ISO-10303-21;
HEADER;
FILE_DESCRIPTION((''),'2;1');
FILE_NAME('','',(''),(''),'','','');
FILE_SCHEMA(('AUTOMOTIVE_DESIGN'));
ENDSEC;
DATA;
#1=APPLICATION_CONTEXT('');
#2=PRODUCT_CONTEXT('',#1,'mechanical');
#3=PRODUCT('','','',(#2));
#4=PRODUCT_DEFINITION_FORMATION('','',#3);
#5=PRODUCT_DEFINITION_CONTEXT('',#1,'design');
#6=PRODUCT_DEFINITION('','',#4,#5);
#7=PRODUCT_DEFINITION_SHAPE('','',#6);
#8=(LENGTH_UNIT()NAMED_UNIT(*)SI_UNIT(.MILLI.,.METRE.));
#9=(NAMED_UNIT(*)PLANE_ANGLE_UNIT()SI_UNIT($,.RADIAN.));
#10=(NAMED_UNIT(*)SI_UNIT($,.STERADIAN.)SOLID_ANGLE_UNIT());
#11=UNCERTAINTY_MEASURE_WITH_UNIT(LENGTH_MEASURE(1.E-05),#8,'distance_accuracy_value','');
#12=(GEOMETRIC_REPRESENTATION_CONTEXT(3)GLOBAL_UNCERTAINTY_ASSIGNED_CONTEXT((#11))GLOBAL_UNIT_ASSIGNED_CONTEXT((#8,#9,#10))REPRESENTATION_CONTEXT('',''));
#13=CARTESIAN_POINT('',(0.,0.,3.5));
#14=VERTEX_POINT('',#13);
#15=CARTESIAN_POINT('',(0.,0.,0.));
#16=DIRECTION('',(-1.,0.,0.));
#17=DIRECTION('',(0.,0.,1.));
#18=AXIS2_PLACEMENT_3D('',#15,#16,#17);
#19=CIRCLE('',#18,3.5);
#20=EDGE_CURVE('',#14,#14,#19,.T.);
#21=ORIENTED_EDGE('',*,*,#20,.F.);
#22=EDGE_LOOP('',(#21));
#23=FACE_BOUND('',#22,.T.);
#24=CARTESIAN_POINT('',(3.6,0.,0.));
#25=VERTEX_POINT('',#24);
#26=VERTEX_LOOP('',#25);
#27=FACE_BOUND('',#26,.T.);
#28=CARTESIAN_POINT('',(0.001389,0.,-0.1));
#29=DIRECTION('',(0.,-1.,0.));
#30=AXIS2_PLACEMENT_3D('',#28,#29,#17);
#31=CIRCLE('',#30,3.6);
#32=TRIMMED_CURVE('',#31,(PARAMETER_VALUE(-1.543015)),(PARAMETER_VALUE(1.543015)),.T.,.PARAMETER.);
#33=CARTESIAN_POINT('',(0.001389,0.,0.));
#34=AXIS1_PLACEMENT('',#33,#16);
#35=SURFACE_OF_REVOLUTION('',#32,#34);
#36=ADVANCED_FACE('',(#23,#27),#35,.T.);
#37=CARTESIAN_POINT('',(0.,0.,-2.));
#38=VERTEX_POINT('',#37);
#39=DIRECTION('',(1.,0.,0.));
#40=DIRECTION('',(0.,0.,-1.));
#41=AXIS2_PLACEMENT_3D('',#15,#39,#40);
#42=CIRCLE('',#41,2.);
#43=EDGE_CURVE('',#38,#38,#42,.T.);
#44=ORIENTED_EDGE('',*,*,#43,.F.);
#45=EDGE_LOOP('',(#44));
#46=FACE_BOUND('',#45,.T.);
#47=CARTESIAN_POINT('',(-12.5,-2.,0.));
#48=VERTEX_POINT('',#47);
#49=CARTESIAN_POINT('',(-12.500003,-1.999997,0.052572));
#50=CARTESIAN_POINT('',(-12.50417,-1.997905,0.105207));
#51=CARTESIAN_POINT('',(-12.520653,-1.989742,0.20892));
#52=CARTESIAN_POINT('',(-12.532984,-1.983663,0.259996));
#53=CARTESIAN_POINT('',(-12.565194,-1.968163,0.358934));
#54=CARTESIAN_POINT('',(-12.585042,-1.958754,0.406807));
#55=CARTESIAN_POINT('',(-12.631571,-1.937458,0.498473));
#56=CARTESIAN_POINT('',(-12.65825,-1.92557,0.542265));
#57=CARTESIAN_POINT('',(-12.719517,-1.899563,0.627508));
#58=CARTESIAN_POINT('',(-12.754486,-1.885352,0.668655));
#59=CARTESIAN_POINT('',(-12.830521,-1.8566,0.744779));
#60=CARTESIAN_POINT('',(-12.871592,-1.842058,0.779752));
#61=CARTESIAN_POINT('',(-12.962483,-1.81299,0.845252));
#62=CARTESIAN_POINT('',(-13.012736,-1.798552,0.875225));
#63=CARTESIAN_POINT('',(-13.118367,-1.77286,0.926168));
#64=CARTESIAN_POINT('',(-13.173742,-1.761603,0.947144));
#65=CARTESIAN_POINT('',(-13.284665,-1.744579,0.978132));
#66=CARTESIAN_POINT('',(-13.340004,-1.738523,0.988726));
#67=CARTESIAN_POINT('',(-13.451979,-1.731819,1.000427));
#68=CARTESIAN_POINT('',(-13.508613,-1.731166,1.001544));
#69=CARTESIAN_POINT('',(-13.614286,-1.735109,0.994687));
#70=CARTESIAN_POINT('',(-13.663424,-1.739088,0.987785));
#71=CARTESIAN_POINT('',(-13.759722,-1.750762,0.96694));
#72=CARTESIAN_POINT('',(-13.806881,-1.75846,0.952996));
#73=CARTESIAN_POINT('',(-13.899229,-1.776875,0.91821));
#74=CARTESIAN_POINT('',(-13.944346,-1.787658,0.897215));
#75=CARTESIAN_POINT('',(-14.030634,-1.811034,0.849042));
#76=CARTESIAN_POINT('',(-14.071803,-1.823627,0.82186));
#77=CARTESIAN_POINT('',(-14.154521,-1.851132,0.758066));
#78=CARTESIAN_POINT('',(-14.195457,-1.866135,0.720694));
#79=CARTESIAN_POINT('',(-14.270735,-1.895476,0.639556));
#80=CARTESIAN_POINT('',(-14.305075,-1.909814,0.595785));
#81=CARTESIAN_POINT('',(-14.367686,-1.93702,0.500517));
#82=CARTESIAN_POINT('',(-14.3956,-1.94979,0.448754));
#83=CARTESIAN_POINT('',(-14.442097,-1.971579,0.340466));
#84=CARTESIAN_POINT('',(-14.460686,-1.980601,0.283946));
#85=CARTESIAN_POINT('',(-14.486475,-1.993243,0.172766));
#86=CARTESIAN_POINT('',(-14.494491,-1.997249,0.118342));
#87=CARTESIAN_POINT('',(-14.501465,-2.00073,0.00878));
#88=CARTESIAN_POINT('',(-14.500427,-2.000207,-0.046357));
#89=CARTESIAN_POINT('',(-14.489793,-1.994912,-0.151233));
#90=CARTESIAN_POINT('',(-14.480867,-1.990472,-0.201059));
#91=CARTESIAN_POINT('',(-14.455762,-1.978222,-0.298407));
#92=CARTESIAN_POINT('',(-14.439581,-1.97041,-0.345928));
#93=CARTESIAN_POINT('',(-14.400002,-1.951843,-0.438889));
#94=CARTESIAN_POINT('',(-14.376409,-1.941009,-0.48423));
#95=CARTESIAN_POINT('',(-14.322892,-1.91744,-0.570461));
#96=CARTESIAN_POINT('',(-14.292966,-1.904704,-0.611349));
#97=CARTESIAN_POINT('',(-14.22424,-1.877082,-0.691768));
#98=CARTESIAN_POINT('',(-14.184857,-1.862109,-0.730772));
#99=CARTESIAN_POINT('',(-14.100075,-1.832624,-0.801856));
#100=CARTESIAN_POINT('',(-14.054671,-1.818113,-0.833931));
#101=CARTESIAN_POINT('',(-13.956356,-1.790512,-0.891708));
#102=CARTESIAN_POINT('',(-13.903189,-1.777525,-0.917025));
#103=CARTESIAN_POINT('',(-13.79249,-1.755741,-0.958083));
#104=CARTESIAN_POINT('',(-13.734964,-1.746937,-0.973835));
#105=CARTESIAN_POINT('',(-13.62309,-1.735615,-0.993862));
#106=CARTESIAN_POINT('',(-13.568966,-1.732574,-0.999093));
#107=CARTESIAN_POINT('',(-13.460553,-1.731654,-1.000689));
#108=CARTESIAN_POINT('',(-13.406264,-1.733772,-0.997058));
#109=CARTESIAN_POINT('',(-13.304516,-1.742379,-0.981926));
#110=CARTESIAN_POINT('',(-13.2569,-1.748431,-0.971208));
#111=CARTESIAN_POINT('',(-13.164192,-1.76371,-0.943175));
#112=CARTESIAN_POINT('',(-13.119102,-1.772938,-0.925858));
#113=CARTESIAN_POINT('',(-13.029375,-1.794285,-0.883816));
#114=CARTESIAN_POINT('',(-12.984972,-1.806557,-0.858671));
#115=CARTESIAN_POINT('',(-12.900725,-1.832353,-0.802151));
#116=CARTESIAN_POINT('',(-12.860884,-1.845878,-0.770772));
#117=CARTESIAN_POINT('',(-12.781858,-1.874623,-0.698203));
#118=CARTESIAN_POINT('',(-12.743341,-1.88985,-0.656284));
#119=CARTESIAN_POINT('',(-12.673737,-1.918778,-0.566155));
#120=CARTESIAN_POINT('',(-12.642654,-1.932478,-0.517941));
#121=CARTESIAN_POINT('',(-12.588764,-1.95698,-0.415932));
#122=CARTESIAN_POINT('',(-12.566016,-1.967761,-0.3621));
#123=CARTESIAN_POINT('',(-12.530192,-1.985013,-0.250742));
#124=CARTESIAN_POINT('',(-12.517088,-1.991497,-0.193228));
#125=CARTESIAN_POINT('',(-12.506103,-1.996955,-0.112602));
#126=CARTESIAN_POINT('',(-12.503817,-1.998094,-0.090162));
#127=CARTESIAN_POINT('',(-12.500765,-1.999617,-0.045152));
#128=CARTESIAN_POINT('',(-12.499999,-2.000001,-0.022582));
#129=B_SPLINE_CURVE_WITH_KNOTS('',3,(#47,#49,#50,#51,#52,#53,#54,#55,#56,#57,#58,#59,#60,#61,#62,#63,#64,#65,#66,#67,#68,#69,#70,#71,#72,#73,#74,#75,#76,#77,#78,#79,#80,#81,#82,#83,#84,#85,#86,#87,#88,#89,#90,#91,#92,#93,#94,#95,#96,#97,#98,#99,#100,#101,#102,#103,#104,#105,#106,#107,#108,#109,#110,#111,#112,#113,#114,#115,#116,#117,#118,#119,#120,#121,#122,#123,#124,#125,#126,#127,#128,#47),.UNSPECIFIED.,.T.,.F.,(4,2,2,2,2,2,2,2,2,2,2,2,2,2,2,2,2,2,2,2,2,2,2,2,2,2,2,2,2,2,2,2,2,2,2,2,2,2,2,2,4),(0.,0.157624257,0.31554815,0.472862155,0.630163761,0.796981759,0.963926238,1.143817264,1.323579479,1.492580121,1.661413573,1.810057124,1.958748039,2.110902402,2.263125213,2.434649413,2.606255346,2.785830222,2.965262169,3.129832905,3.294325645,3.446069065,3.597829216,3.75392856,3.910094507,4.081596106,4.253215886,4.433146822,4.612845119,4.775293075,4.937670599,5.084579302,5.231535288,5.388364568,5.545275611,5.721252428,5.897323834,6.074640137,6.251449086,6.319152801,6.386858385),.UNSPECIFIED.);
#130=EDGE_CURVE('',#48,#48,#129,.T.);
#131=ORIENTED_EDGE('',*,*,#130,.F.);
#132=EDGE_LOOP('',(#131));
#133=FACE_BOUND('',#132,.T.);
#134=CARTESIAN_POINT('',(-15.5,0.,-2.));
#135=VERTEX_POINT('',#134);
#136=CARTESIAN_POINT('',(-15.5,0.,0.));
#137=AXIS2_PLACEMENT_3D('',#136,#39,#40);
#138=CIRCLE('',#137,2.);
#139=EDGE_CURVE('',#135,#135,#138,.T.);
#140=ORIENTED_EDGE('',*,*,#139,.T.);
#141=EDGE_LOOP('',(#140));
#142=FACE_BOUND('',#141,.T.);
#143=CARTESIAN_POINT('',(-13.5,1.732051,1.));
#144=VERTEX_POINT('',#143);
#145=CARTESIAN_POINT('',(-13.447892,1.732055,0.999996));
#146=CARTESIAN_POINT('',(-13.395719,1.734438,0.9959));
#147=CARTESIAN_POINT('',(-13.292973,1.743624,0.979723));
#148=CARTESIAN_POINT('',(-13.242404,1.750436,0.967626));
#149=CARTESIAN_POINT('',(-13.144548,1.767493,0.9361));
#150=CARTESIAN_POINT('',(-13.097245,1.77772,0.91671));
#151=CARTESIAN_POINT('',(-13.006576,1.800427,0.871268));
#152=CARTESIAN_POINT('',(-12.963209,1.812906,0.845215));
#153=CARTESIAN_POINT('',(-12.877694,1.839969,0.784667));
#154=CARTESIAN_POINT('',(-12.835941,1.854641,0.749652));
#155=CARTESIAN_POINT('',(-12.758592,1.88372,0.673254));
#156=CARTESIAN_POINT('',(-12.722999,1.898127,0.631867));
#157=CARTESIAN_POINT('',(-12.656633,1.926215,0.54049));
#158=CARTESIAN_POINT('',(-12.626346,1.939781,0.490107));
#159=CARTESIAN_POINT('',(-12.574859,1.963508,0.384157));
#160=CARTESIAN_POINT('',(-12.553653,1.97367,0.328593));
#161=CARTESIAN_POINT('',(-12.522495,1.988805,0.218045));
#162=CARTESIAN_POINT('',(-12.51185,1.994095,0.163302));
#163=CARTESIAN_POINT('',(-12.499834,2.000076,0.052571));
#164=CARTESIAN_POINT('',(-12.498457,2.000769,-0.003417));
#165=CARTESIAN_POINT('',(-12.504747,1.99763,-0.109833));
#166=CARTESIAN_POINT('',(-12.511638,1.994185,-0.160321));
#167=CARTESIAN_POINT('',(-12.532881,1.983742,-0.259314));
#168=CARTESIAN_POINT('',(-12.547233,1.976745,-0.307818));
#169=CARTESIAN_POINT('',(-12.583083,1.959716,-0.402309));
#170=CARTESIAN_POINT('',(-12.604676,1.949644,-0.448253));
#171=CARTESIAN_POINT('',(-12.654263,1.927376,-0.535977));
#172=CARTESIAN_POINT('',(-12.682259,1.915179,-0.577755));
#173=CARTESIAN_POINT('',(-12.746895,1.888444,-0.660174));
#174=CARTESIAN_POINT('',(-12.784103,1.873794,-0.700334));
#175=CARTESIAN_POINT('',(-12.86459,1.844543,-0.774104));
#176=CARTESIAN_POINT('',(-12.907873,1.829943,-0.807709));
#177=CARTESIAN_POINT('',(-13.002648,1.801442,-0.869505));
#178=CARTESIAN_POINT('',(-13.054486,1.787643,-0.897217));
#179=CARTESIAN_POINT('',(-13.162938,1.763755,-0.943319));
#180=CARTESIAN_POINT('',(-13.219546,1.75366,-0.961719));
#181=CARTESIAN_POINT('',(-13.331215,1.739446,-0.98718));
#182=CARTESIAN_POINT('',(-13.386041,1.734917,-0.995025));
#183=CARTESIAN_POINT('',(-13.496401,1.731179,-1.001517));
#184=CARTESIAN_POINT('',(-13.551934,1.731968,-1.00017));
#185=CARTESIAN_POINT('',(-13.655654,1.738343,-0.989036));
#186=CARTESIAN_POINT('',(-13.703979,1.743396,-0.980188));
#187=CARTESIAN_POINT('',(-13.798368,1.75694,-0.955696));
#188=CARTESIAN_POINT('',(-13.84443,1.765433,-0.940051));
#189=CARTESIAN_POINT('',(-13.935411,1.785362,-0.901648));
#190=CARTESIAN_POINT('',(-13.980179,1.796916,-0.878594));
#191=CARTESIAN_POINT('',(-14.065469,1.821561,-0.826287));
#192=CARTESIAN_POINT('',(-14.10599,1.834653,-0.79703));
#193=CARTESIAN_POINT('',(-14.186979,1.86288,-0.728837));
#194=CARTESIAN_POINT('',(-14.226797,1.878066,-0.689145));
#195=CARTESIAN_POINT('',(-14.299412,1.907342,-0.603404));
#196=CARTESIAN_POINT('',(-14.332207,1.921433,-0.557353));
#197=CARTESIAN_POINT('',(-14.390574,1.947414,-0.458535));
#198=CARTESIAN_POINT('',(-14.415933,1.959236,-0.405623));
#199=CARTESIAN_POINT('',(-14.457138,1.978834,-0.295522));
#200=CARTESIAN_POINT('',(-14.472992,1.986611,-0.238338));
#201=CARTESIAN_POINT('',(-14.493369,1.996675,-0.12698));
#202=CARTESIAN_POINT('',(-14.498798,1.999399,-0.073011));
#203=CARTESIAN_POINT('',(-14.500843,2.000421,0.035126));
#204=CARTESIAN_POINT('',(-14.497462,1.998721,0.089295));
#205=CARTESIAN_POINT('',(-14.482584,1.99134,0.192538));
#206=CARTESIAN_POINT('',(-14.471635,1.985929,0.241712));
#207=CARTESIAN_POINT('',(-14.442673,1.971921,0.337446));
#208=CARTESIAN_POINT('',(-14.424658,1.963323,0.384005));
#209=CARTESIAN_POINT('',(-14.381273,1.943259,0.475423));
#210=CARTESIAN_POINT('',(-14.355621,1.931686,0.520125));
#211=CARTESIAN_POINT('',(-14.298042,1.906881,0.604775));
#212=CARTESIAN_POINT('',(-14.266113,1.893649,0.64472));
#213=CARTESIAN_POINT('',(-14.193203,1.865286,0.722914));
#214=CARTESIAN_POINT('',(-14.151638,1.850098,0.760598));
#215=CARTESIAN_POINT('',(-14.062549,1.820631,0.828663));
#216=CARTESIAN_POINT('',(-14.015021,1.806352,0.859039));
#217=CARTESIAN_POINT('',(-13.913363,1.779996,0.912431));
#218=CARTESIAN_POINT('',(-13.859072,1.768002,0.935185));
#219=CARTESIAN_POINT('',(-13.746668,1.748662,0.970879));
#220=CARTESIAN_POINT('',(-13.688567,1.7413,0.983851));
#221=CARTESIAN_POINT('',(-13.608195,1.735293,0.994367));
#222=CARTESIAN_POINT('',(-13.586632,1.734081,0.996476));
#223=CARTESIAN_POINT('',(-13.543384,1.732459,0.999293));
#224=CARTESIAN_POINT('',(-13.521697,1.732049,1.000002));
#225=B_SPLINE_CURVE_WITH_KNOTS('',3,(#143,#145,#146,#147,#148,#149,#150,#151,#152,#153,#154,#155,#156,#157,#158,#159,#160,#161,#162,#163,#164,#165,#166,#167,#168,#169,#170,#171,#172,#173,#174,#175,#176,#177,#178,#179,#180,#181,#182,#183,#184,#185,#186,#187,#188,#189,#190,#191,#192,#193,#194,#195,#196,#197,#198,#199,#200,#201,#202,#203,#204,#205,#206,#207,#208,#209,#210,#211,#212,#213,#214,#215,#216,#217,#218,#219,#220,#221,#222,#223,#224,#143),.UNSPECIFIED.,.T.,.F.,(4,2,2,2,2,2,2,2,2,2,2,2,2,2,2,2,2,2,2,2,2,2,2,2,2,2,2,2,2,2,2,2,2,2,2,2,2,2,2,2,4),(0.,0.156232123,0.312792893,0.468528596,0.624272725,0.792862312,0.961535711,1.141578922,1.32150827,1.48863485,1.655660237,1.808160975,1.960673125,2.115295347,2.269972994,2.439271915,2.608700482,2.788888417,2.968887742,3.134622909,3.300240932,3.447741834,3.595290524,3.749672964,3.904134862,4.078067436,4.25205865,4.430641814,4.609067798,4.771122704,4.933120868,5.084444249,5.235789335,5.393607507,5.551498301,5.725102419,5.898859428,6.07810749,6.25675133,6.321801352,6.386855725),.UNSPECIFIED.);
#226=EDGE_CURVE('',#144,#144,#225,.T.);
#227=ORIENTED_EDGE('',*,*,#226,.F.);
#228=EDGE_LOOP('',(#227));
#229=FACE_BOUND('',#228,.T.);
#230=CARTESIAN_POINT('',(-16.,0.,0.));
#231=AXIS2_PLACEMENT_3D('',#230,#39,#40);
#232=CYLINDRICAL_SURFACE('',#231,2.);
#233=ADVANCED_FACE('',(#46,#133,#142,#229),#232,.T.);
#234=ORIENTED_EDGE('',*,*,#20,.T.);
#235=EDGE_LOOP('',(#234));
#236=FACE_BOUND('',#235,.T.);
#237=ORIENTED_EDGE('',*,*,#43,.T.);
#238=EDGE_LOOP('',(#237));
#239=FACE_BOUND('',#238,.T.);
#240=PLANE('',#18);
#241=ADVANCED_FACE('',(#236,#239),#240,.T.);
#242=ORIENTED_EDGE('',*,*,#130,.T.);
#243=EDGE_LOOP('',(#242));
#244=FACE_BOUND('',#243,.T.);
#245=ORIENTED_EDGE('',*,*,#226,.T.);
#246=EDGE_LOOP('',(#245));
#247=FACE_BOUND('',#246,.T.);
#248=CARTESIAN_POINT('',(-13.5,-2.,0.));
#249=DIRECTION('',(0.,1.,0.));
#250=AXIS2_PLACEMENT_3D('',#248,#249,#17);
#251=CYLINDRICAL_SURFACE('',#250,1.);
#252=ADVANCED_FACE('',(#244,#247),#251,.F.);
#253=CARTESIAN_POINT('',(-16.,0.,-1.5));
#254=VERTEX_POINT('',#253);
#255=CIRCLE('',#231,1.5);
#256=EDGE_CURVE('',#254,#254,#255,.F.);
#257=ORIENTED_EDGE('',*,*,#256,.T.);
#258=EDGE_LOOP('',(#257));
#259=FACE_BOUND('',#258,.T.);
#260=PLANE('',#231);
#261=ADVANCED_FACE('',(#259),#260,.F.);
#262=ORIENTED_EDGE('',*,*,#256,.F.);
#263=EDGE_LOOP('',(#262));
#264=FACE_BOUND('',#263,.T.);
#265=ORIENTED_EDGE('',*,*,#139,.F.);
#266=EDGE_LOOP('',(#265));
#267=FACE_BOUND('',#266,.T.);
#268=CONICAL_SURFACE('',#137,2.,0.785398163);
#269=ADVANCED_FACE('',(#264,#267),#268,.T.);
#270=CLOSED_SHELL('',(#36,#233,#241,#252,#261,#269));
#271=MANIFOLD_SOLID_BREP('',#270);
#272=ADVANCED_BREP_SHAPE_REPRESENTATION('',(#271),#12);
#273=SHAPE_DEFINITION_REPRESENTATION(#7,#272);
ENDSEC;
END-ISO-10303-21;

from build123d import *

# Parameters (mm, degrees)
SKETCH1_R               = 2
BOSS_EXTRUDE1_DEPTH     = 16
CUT_EXTRUDE1_DEPTH      = 17.248076809
CUT_EXTRUDE1_DEPTH_BACK = 17.248076809
SKETCH2_R               = 1
CHAMFER1_SIZE           = 0.5


with BuildPart() as part:
    # Sketch1 → Boss-Extrude1 (new body)
    with BuildSketch(Plane(origin=(0, 0, 0), x_dir=(0, 0, -1), z_dir=(1, 0, 0))):
        Circle(SKETCH1_R)
    extrude(amount=-BOSS_EXTRUDE1_DEPTH)

    # Sketch2 → Cut-Extrude1 (cut, two sides: drawn at the far end of the back side and taken through both)
    with BuildSketch(Plane(origin=(0, 0, 0), x_dir=(1, 0, 0), z_dir=(0, 1, 0)).offset(-CUT_EXTRUDE1_DEPTH_BACK)):
        with Locations(Location((-13.5, 0, 0), (0, 0, 270))):
            Circle(SKETCH2_R)
    extrude(amount=CUT_EXTRUDE1_DEPTH + CUT_EXTRUDE1_DEPTH_BACK, mode=Mode.SUBTRACT)

    # Sketch3 → Revolve1 (revolve)
    with BuildSketch(Plane(origin=(0, 0, 0), x_dir=(1, 0, 0), z_dir=(0, 1, 0))):
        with BuildLine():
            Line((0, 0), (0, -3.5))
            ThreePointArc((0, -3.5), (2.510871365, -2.481181976), (3.6, 0))
            Line((3.6, 0), (0, 0))
        make_face()
    revolve(axis=Axis((-3.287029336, 0, 0), (1, 0, 0)))

    # Chamfer1
    chamfer1_edges = [part.edges().sort_by_distance(p)[0] for p in [
        (-16, 0, 2),
    ]]
    chamfer(chamfer1_edges, length=CHAMFER1_SIZE)


solid = part.part
